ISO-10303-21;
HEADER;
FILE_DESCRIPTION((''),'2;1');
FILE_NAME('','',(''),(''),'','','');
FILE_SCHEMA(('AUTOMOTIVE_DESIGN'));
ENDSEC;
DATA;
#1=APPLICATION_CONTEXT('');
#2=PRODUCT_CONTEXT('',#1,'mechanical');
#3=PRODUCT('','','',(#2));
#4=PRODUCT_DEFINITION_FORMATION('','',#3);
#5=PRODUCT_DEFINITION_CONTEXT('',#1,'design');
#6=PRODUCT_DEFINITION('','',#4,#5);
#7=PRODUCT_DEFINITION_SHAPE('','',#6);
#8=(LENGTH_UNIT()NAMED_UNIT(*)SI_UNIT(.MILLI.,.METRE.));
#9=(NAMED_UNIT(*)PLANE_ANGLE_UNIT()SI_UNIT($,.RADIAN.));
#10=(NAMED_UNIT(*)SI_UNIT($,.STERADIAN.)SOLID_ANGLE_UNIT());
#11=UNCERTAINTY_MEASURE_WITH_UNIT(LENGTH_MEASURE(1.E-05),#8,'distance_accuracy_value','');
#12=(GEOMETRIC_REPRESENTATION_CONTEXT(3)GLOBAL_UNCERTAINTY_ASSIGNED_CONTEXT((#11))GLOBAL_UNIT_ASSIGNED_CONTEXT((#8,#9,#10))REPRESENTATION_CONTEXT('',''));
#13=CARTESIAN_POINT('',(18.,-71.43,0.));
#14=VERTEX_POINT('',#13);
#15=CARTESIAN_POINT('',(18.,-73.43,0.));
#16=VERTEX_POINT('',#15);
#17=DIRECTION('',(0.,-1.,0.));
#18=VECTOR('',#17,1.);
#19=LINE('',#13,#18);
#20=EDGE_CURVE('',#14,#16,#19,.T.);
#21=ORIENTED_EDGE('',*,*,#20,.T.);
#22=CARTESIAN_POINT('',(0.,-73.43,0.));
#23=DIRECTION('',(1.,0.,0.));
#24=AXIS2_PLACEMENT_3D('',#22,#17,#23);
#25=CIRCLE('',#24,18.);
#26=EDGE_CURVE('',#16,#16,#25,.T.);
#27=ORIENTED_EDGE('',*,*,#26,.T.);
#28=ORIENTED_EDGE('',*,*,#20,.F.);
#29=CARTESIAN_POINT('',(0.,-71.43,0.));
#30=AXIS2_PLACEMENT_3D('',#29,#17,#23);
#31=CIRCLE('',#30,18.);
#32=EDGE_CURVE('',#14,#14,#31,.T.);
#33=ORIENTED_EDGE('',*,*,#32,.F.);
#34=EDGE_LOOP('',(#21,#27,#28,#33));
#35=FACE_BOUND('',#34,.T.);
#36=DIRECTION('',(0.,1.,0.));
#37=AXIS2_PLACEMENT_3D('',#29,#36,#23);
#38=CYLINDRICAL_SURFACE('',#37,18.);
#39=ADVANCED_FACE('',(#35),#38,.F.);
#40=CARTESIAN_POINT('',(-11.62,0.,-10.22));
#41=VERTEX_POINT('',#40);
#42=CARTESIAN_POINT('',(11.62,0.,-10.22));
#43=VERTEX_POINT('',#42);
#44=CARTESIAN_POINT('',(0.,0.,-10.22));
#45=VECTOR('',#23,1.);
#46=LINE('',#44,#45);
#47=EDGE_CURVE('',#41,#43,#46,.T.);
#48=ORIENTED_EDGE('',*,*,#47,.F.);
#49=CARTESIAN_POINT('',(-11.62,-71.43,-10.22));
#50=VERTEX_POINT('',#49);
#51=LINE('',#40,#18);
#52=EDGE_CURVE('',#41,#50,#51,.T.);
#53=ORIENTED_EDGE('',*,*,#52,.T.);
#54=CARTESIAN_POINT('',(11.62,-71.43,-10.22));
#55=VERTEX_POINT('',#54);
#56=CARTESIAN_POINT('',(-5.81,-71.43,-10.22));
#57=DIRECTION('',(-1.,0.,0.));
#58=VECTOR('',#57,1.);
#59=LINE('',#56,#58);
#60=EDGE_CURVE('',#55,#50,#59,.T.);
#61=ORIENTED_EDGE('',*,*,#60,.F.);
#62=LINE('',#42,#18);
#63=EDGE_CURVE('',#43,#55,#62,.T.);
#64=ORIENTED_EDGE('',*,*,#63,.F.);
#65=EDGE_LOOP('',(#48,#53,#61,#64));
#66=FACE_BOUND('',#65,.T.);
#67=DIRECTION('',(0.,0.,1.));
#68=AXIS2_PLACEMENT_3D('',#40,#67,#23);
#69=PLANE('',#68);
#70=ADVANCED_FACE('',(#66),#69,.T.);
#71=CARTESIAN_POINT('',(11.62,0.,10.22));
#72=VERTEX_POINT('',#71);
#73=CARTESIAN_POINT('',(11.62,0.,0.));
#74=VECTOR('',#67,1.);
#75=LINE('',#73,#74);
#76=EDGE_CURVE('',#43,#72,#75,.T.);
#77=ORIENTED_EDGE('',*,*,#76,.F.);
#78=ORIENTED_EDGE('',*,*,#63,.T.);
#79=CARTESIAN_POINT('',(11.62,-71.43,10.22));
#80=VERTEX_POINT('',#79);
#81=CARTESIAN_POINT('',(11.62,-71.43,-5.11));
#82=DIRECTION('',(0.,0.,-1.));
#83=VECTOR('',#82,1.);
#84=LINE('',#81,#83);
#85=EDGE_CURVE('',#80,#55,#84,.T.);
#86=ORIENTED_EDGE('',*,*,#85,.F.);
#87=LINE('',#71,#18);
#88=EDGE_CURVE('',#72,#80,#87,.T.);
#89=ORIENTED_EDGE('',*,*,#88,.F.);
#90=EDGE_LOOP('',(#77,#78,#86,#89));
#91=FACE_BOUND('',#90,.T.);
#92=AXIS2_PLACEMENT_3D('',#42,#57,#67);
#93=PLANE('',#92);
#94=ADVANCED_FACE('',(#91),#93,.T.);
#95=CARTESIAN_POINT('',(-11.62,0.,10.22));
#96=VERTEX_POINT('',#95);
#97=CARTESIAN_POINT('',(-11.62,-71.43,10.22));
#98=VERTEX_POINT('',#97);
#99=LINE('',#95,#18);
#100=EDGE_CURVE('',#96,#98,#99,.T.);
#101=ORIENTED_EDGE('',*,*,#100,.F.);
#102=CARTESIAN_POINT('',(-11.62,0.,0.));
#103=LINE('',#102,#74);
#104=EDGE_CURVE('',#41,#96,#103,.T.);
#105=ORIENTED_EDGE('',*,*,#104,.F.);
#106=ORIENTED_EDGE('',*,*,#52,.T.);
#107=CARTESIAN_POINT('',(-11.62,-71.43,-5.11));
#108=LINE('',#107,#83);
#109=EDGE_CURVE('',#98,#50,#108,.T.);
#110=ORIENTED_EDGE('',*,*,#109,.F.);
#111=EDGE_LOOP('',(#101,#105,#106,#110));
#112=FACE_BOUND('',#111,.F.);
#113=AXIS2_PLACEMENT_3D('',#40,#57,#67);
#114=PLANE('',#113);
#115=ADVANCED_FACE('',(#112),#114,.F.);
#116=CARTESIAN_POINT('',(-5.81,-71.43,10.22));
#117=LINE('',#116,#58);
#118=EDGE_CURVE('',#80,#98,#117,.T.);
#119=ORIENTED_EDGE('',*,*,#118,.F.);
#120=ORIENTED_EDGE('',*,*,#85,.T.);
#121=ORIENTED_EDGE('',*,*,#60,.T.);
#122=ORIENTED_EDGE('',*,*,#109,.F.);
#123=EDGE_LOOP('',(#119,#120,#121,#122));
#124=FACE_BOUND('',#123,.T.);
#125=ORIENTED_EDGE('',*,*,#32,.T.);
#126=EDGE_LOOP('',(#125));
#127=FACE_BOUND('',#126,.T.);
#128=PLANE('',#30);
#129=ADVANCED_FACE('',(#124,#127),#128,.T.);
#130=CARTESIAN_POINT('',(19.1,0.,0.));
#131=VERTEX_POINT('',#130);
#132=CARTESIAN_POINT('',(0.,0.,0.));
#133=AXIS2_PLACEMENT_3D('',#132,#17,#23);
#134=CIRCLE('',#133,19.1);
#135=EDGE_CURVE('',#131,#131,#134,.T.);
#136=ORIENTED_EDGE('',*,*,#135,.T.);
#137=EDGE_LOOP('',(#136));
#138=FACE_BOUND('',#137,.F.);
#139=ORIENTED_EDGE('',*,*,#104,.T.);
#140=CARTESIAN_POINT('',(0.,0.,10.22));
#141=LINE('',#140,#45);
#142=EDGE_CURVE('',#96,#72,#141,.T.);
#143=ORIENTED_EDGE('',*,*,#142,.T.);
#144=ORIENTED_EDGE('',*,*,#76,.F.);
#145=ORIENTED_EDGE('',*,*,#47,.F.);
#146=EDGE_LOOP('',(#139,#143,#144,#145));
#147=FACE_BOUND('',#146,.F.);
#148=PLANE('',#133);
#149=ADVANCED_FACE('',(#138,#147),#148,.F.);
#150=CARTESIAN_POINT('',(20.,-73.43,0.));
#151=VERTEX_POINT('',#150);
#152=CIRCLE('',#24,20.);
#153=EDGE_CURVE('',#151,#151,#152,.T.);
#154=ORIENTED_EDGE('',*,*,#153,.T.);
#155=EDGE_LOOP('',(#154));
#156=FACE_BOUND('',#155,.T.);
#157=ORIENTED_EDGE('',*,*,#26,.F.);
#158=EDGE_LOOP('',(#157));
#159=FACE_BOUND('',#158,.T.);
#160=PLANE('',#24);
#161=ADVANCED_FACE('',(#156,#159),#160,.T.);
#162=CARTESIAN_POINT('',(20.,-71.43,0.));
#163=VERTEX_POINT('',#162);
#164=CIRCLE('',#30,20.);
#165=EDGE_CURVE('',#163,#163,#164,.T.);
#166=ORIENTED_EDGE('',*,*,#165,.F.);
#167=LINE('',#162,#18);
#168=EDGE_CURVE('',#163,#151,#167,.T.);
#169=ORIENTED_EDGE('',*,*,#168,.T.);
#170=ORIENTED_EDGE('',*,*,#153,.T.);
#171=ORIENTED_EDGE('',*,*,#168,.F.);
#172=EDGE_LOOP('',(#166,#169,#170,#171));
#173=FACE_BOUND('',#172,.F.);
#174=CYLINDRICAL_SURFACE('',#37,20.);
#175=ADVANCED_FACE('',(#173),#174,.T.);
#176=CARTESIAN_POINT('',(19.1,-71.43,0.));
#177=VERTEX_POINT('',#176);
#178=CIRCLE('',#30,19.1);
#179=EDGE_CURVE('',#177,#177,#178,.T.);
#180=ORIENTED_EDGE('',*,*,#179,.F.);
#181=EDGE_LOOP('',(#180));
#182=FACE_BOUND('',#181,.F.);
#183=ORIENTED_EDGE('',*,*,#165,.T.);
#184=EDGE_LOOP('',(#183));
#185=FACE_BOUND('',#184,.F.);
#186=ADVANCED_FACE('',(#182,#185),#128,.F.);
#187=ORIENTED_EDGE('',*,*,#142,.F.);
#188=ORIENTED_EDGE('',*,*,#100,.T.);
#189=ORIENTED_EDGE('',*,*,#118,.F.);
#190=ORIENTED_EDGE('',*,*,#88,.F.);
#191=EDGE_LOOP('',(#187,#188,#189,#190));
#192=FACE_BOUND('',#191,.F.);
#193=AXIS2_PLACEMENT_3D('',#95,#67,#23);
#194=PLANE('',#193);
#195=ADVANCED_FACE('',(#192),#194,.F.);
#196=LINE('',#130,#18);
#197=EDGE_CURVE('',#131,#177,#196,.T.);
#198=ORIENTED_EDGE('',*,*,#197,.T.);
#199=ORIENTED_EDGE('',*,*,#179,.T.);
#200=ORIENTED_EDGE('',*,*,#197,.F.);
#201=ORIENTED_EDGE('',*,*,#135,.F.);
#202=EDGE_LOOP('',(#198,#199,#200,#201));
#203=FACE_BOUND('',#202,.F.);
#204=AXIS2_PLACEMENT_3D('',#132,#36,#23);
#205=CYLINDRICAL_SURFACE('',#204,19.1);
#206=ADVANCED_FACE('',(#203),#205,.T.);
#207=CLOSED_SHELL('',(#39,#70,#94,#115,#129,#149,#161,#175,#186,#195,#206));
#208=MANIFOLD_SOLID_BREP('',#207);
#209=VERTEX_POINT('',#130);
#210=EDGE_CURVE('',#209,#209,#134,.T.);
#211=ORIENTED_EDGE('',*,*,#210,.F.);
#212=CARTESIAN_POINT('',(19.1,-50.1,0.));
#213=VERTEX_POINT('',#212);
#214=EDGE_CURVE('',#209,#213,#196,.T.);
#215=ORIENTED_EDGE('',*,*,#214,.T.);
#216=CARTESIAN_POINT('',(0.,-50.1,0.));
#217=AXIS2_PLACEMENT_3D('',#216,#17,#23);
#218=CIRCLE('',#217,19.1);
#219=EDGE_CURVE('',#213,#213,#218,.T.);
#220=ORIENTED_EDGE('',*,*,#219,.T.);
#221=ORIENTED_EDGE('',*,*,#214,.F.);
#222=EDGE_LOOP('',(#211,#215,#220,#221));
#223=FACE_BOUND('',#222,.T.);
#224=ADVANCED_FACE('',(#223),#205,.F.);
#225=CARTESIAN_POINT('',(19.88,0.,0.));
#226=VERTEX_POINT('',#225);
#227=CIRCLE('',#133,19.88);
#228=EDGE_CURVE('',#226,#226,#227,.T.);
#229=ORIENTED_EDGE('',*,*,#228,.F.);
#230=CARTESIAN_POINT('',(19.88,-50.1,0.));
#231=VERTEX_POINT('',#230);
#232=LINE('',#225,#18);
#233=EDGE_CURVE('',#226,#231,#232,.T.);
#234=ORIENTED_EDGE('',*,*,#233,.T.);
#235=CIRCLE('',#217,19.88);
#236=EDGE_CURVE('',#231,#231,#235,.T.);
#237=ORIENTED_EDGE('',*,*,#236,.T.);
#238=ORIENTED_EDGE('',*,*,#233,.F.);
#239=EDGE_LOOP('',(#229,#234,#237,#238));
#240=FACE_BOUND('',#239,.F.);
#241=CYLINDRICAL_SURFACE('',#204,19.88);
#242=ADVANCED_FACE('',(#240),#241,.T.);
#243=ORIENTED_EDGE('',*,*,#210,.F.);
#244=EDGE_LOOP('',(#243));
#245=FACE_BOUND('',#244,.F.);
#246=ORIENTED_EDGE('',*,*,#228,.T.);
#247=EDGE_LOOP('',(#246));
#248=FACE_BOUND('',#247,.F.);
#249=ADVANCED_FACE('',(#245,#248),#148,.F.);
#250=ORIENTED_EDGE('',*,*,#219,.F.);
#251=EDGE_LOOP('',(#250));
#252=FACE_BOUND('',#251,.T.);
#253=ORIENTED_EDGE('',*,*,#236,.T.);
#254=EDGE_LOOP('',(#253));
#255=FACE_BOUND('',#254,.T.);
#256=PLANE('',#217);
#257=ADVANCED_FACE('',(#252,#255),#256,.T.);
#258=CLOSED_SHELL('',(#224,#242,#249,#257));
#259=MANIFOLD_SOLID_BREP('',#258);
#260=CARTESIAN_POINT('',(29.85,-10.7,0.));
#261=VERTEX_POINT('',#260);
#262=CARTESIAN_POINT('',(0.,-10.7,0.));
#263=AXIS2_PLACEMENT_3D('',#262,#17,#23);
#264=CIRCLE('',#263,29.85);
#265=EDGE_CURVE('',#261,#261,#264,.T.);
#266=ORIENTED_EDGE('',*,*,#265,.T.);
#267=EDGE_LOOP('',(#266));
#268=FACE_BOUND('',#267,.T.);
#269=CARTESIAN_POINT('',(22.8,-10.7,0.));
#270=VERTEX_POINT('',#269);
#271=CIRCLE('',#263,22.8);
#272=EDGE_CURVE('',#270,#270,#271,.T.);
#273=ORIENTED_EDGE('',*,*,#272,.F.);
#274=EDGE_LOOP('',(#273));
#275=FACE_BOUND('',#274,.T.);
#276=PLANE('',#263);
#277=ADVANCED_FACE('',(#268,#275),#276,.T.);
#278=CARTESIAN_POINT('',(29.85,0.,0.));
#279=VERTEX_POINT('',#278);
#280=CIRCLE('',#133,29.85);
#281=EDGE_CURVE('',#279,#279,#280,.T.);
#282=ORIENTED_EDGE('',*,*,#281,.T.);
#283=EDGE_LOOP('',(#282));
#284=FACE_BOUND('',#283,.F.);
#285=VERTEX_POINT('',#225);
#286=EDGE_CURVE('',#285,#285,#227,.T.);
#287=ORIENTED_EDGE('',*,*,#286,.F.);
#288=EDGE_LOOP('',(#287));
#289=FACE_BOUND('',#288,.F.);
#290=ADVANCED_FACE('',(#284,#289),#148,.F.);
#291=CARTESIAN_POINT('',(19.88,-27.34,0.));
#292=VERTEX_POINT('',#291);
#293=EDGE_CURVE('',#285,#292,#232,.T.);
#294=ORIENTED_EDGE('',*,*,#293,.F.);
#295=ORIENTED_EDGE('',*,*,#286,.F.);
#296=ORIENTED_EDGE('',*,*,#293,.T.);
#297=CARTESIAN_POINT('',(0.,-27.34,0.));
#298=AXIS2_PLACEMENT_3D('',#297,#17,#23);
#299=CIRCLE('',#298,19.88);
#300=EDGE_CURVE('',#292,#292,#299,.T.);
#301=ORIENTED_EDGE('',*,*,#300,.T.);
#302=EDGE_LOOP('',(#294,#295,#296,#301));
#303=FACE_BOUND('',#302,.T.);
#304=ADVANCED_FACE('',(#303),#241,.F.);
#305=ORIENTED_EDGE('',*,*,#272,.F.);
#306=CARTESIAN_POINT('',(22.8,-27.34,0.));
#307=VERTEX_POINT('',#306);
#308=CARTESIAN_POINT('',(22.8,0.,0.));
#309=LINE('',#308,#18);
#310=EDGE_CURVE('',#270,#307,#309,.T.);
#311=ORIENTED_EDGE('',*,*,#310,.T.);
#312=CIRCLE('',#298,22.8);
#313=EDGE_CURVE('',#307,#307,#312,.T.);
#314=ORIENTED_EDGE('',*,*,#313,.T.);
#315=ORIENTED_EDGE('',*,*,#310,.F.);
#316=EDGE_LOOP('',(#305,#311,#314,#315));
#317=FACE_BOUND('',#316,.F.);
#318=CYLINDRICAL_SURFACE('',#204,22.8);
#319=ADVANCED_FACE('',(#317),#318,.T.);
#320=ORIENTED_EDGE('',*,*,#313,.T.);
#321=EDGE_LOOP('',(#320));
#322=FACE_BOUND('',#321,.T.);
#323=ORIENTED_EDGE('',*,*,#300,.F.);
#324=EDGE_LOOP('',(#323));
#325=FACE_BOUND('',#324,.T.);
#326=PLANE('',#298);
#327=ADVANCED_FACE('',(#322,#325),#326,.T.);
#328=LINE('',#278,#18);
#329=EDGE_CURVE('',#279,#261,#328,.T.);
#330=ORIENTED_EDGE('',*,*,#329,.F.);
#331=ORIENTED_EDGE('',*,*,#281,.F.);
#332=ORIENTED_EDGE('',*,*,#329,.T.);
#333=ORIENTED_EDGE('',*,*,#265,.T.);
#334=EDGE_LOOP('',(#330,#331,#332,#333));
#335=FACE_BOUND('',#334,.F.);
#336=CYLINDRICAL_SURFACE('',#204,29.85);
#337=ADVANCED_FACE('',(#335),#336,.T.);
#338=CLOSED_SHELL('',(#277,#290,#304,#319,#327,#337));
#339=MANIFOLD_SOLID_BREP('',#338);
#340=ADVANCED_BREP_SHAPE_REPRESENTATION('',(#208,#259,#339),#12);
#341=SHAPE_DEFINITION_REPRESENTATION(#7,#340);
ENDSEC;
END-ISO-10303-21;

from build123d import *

# Parameters (mm, degrees)
F0_R     = 29.85
F0_R_2   = 22.8
F2_DEPTH = 10.7
F0_R_3   = 19.88
F3_DEPTH = 27.34
F0_R_4   = 19.1
F4_DEPTH = 50.1
F5_DEPTH = 71.43
F1_W     = 23.24
F1_H     = 20.44
F6_DEPTH = 72
F7_R     = 20
F7_R_2   = 18
F8_DEPTH = 2


with BuildPart() as f2:
    # F0 (on Front) → F2 (new body)
    with BuildSketch(Plane.XZ):
        Circle(F0_R)
        Circle(F0_R_2, mode=Mode.SUBTRACT)
    extrude(amount=F2_DEPTH)

    # F0 (on Front) → F3 (join)
    with BuildSketch(Plane.XZ):
        Circle(F0_R_2)
        Circle(F0_R_3, mode=Mode.SUBTRACT)
    extrude(amount=F3_DEPTH)


with BuildPart() as f4:
    # F0 (on Front) → F4 (new body)
    with BuildSketch(Plane.XZ):
        Circle(F0_R_3)
        Circle(F0_R_4, mode=Mode.SUBTRACT)
    extrude(amount=F4_DEPTH)


with BuildPart() as f5:
    # F0 (on Front) → F5 (new body)
    with BuildSketch(Plane.XZ):
        Circle(F0_R_4)
    extrude(amount=F5_DEPTH)

    # F1 (on Front) → F6 (cut)
    with BuildSketch(Plane.XZ):
        Rectangle(F1_W, F1_H)
    extrude(amount=F6_DEPTH, mode=Mode.SUBTRACT)

    # F7 (on face) → F8 (join)
    with BuildSketch(Plane.XZ.offset(71.43)):
        Circle(F7_R)
        Circle(F7_R_2, mode=Mode.SUBTRACT)
    extrude(amount=F8_DEPTH)


solid = Compound([f2.part, f4.part, f5.part])
